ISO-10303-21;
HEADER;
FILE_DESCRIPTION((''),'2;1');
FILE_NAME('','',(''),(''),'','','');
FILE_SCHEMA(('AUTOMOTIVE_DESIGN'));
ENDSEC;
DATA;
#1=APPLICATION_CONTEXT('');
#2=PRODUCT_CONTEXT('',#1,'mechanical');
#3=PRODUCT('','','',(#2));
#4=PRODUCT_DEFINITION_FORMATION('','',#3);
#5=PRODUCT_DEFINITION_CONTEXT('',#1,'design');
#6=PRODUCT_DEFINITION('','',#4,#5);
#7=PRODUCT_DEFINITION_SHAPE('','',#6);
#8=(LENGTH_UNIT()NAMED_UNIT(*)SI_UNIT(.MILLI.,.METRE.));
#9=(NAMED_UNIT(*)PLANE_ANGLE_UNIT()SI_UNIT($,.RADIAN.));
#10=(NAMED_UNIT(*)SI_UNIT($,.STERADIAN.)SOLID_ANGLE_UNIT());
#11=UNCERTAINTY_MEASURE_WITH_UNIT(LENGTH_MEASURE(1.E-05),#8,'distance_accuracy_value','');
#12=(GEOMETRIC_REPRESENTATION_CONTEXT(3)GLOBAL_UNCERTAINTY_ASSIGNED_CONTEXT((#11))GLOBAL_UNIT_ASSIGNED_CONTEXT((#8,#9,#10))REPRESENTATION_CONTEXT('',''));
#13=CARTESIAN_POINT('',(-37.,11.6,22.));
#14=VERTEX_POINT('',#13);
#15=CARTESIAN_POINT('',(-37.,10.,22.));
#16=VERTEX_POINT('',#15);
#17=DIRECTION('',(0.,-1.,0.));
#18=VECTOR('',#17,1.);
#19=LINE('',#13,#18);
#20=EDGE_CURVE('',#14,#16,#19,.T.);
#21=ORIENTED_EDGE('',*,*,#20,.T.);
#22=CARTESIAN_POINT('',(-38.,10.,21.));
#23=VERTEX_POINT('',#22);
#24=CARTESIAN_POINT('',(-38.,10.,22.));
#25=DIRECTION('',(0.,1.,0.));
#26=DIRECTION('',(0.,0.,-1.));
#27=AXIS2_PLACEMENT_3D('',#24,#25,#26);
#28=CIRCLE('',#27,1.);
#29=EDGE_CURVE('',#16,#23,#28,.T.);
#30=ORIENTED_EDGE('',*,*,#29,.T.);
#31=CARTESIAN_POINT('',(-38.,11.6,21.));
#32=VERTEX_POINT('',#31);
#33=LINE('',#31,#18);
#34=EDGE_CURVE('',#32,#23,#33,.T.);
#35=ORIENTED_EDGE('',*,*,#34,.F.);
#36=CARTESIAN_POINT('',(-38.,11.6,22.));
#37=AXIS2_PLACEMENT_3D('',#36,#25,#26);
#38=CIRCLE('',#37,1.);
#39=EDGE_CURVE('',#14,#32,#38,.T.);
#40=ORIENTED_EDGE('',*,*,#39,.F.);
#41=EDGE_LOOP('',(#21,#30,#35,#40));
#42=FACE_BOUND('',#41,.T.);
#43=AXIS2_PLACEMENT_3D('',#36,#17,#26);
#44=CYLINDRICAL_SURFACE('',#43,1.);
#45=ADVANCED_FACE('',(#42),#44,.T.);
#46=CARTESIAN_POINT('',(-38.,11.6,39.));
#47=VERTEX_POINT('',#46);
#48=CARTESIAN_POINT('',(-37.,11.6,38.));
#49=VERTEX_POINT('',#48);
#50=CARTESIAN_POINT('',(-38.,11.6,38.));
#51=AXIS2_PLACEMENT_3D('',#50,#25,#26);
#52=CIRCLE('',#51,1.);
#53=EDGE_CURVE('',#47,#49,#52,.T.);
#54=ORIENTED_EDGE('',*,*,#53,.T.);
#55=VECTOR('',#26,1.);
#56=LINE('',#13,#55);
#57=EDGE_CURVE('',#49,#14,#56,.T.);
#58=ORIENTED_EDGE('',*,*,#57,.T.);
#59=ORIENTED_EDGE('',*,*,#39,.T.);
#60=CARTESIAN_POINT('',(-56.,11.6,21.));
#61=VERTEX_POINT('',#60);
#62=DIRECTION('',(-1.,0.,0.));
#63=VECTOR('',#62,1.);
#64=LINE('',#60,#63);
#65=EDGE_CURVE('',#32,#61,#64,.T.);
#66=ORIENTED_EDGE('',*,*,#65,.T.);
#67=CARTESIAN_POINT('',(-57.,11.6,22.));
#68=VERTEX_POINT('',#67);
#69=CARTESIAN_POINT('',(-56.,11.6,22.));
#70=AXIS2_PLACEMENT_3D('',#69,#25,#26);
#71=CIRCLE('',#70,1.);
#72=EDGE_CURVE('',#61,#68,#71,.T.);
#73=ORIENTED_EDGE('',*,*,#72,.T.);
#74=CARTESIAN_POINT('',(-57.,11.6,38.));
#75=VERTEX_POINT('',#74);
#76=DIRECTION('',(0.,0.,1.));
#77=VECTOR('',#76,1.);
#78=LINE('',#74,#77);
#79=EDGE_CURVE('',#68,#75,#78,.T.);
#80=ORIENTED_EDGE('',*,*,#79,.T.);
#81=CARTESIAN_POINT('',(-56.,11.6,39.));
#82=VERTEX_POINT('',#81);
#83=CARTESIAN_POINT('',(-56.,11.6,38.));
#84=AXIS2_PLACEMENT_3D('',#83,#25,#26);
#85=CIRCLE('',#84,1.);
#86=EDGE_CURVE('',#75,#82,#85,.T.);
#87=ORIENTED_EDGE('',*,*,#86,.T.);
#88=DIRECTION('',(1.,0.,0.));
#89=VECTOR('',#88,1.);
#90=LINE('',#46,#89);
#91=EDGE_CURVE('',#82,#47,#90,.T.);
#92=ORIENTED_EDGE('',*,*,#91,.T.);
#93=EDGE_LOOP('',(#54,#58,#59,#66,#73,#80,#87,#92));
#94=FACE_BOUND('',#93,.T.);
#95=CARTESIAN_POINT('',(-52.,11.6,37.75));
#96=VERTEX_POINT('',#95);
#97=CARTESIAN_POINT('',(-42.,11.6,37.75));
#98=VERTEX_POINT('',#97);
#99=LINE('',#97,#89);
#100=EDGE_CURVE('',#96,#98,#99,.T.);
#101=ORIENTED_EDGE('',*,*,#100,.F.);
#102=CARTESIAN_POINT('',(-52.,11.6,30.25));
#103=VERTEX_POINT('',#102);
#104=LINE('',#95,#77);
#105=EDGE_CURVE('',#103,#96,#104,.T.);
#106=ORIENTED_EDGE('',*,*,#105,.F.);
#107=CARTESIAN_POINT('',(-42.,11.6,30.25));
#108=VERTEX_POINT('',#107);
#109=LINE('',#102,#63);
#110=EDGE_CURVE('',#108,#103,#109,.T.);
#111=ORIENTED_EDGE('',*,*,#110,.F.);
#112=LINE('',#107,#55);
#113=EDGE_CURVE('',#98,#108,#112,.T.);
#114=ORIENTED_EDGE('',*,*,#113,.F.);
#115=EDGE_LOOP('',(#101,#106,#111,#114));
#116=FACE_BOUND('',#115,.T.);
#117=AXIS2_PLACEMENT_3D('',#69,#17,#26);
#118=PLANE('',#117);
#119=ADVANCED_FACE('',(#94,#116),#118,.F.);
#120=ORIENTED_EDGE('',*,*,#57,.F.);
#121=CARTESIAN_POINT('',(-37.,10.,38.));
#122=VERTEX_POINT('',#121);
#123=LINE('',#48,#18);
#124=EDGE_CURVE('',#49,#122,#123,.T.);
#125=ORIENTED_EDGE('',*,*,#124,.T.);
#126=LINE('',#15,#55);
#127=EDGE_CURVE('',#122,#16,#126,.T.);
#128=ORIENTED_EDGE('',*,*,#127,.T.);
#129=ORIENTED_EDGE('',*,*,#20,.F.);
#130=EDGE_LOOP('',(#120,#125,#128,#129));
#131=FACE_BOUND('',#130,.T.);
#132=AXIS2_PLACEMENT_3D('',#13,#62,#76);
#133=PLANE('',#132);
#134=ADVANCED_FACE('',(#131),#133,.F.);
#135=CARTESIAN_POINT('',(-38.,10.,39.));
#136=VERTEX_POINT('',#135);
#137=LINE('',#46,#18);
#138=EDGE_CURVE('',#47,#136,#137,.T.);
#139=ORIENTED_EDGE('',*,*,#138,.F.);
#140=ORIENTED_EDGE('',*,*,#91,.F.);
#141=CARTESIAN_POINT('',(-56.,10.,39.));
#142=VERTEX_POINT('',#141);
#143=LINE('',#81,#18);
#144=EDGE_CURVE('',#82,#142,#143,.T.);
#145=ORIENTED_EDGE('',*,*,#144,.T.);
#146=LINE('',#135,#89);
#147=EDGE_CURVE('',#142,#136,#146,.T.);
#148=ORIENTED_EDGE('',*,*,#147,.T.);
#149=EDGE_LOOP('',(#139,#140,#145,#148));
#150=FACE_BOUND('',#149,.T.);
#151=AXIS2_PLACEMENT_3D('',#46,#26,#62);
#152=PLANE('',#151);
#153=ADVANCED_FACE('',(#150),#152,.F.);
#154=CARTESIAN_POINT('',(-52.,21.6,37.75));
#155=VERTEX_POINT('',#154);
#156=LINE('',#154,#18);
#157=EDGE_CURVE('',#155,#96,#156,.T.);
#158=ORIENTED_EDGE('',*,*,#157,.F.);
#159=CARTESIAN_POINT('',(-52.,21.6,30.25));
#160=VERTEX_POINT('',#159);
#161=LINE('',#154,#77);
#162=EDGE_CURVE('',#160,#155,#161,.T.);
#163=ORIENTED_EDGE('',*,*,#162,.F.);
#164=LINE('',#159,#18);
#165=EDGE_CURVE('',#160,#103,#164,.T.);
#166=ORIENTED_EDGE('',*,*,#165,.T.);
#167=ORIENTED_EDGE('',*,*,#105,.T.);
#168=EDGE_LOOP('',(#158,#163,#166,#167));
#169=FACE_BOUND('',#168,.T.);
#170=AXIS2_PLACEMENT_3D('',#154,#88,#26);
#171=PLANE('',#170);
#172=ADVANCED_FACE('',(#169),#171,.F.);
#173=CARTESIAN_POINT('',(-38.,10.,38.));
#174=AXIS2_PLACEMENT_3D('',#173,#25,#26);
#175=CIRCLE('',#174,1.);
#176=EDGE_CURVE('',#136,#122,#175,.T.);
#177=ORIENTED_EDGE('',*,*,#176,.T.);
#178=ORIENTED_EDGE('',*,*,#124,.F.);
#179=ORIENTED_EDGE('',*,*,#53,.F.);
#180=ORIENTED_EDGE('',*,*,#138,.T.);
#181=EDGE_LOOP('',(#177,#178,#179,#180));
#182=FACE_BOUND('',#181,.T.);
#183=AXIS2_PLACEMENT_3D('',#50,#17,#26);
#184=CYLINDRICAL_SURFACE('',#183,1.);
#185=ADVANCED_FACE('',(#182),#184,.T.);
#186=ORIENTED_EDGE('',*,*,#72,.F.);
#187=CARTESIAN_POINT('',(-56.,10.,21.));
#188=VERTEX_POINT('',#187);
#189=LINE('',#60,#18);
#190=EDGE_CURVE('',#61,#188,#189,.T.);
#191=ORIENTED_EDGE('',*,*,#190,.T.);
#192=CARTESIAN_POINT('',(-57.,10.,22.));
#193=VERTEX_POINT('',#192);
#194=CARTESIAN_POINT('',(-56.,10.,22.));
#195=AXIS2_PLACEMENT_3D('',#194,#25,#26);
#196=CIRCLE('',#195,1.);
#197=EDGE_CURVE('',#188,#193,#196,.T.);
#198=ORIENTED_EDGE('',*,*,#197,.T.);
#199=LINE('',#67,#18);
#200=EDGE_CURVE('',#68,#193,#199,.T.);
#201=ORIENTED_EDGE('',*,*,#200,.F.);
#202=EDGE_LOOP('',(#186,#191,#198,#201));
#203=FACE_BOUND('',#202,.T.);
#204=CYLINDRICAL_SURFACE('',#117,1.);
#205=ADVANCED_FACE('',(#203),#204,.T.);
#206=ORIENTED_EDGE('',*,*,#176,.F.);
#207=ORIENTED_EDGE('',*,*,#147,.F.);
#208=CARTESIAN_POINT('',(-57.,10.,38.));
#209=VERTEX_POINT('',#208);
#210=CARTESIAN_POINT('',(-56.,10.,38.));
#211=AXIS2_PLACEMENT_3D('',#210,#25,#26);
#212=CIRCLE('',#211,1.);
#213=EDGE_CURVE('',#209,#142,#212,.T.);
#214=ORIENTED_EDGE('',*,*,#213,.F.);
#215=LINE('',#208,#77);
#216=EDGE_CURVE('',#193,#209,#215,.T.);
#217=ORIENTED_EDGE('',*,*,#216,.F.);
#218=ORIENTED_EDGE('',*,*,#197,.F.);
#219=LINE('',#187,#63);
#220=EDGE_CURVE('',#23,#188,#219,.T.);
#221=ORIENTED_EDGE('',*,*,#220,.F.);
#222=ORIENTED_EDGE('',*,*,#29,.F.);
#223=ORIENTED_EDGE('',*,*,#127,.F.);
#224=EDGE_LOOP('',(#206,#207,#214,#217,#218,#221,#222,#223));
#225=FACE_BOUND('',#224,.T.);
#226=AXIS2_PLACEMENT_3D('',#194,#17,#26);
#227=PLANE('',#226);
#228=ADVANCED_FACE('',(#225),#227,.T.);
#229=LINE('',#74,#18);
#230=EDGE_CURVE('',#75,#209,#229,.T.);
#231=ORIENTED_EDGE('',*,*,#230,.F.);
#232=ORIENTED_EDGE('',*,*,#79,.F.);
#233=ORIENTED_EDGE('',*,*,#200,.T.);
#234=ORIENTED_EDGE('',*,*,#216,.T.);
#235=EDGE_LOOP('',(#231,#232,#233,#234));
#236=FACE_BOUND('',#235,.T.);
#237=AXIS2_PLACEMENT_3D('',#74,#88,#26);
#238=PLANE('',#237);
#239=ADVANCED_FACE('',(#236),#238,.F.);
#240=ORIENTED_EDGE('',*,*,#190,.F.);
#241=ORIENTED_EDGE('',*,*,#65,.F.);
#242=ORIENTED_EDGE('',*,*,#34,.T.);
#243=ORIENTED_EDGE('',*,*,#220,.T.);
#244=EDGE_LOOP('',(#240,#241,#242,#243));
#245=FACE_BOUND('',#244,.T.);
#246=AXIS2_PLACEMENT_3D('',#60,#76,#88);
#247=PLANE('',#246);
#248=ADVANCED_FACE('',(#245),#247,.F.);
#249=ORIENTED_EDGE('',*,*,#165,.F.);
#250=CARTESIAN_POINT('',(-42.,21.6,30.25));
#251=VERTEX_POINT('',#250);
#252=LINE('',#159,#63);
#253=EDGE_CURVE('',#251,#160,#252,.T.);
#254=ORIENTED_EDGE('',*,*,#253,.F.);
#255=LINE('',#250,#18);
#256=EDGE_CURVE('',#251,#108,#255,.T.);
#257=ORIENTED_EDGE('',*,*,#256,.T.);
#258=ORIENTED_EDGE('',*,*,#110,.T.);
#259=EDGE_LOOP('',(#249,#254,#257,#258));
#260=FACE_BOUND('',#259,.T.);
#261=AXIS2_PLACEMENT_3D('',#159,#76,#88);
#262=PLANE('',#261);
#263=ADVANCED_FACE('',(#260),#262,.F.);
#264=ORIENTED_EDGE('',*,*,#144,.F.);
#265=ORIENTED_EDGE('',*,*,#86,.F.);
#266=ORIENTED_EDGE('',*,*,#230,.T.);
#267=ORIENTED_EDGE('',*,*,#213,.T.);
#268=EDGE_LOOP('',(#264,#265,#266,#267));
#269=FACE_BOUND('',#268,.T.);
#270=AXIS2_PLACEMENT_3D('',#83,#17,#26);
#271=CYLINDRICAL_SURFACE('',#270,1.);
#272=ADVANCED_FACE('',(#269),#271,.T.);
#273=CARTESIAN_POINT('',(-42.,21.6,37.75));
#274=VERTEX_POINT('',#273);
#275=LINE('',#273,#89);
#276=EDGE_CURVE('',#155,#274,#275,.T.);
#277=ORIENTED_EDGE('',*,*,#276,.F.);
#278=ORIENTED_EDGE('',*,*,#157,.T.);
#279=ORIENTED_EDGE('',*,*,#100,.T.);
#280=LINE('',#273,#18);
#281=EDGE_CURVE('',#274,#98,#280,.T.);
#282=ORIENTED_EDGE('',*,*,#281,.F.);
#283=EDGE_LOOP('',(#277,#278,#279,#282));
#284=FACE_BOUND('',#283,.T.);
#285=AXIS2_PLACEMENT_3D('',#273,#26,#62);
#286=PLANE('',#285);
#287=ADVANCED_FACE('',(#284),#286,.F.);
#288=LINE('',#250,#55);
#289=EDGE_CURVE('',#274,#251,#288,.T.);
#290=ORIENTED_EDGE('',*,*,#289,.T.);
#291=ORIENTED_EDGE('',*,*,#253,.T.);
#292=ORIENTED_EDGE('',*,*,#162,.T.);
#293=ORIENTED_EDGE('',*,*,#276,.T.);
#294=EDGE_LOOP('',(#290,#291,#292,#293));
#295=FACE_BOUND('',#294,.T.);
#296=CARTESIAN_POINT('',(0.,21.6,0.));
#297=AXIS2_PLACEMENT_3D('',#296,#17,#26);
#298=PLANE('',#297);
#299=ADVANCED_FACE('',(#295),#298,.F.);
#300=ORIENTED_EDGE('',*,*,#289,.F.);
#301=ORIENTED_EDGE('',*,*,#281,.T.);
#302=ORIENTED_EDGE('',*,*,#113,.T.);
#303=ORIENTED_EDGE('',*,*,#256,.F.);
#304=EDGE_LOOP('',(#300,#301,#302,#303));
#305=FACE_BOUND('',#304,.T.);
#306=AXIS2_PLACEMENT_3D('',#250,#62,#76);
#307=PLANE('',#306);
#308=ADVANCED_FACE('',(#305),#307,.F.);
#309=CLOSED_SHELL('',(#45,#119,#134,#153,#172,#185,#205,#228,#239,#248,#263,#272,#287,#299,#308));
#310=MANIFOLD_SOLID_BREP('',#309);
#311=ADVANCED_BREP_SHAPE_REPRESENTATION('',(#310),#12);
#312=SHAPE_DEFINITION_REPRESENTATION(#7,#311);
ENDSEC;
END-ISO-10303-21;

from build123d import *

# Parameters (mm, degrees)
BOARD_START    = 10
BOARD_DEPTH    = 1.6
TERMINAL_START = 11.6
SKETCH2_W      = 10
SKETCH2_H      = 7.5
TERMINAL_DEPTH = 10


with BuildPart() as part:
    # Sketch1 → Board (new body)
    with BuildSketch(Plane(origin=(0, 0, 0), x_dir=(1, 0, 0), z_dir=(0, 1, 0)).offset(BOARD_START)):
        with BuildLine():
            Line((-56, -21), (-38, -21))
            ThreePointArc((-38, -21), (-37.292893219, -21.292893219), (-37, -22))
            Line((-37, -22), (-37, -38))
            ThreePointArc((-37, -38), (-37.292893219, -38.707106781), (-38, -39))
            Line((-38, -39), (-56, -39))
            ThreePointArc((-56, -39), (-56.707106781, -38.707106781), (-57, -38))
            Line((-57, -38), (-57, -22))
            ThreePointArc((-57, -22), (-56.707106781, -21.292893219), (-56, -21))
        make_face()
    extrude(amount=BOARD_DEPTH)

    # Sketch2 → Terminal (add)
    with BuildSketch(Plane(origin=(0, 0, 0), x_dir=(1, 0, 0), z_dir=(0, 1, 0)).offset(TERMINAL_START)):
        with Locations((-47, -34)):
            Rectangle(SKETCH2_W, SKETCH2_H)
    extrude(amount=TERMINAL_DEPTH)


solid = part.part
